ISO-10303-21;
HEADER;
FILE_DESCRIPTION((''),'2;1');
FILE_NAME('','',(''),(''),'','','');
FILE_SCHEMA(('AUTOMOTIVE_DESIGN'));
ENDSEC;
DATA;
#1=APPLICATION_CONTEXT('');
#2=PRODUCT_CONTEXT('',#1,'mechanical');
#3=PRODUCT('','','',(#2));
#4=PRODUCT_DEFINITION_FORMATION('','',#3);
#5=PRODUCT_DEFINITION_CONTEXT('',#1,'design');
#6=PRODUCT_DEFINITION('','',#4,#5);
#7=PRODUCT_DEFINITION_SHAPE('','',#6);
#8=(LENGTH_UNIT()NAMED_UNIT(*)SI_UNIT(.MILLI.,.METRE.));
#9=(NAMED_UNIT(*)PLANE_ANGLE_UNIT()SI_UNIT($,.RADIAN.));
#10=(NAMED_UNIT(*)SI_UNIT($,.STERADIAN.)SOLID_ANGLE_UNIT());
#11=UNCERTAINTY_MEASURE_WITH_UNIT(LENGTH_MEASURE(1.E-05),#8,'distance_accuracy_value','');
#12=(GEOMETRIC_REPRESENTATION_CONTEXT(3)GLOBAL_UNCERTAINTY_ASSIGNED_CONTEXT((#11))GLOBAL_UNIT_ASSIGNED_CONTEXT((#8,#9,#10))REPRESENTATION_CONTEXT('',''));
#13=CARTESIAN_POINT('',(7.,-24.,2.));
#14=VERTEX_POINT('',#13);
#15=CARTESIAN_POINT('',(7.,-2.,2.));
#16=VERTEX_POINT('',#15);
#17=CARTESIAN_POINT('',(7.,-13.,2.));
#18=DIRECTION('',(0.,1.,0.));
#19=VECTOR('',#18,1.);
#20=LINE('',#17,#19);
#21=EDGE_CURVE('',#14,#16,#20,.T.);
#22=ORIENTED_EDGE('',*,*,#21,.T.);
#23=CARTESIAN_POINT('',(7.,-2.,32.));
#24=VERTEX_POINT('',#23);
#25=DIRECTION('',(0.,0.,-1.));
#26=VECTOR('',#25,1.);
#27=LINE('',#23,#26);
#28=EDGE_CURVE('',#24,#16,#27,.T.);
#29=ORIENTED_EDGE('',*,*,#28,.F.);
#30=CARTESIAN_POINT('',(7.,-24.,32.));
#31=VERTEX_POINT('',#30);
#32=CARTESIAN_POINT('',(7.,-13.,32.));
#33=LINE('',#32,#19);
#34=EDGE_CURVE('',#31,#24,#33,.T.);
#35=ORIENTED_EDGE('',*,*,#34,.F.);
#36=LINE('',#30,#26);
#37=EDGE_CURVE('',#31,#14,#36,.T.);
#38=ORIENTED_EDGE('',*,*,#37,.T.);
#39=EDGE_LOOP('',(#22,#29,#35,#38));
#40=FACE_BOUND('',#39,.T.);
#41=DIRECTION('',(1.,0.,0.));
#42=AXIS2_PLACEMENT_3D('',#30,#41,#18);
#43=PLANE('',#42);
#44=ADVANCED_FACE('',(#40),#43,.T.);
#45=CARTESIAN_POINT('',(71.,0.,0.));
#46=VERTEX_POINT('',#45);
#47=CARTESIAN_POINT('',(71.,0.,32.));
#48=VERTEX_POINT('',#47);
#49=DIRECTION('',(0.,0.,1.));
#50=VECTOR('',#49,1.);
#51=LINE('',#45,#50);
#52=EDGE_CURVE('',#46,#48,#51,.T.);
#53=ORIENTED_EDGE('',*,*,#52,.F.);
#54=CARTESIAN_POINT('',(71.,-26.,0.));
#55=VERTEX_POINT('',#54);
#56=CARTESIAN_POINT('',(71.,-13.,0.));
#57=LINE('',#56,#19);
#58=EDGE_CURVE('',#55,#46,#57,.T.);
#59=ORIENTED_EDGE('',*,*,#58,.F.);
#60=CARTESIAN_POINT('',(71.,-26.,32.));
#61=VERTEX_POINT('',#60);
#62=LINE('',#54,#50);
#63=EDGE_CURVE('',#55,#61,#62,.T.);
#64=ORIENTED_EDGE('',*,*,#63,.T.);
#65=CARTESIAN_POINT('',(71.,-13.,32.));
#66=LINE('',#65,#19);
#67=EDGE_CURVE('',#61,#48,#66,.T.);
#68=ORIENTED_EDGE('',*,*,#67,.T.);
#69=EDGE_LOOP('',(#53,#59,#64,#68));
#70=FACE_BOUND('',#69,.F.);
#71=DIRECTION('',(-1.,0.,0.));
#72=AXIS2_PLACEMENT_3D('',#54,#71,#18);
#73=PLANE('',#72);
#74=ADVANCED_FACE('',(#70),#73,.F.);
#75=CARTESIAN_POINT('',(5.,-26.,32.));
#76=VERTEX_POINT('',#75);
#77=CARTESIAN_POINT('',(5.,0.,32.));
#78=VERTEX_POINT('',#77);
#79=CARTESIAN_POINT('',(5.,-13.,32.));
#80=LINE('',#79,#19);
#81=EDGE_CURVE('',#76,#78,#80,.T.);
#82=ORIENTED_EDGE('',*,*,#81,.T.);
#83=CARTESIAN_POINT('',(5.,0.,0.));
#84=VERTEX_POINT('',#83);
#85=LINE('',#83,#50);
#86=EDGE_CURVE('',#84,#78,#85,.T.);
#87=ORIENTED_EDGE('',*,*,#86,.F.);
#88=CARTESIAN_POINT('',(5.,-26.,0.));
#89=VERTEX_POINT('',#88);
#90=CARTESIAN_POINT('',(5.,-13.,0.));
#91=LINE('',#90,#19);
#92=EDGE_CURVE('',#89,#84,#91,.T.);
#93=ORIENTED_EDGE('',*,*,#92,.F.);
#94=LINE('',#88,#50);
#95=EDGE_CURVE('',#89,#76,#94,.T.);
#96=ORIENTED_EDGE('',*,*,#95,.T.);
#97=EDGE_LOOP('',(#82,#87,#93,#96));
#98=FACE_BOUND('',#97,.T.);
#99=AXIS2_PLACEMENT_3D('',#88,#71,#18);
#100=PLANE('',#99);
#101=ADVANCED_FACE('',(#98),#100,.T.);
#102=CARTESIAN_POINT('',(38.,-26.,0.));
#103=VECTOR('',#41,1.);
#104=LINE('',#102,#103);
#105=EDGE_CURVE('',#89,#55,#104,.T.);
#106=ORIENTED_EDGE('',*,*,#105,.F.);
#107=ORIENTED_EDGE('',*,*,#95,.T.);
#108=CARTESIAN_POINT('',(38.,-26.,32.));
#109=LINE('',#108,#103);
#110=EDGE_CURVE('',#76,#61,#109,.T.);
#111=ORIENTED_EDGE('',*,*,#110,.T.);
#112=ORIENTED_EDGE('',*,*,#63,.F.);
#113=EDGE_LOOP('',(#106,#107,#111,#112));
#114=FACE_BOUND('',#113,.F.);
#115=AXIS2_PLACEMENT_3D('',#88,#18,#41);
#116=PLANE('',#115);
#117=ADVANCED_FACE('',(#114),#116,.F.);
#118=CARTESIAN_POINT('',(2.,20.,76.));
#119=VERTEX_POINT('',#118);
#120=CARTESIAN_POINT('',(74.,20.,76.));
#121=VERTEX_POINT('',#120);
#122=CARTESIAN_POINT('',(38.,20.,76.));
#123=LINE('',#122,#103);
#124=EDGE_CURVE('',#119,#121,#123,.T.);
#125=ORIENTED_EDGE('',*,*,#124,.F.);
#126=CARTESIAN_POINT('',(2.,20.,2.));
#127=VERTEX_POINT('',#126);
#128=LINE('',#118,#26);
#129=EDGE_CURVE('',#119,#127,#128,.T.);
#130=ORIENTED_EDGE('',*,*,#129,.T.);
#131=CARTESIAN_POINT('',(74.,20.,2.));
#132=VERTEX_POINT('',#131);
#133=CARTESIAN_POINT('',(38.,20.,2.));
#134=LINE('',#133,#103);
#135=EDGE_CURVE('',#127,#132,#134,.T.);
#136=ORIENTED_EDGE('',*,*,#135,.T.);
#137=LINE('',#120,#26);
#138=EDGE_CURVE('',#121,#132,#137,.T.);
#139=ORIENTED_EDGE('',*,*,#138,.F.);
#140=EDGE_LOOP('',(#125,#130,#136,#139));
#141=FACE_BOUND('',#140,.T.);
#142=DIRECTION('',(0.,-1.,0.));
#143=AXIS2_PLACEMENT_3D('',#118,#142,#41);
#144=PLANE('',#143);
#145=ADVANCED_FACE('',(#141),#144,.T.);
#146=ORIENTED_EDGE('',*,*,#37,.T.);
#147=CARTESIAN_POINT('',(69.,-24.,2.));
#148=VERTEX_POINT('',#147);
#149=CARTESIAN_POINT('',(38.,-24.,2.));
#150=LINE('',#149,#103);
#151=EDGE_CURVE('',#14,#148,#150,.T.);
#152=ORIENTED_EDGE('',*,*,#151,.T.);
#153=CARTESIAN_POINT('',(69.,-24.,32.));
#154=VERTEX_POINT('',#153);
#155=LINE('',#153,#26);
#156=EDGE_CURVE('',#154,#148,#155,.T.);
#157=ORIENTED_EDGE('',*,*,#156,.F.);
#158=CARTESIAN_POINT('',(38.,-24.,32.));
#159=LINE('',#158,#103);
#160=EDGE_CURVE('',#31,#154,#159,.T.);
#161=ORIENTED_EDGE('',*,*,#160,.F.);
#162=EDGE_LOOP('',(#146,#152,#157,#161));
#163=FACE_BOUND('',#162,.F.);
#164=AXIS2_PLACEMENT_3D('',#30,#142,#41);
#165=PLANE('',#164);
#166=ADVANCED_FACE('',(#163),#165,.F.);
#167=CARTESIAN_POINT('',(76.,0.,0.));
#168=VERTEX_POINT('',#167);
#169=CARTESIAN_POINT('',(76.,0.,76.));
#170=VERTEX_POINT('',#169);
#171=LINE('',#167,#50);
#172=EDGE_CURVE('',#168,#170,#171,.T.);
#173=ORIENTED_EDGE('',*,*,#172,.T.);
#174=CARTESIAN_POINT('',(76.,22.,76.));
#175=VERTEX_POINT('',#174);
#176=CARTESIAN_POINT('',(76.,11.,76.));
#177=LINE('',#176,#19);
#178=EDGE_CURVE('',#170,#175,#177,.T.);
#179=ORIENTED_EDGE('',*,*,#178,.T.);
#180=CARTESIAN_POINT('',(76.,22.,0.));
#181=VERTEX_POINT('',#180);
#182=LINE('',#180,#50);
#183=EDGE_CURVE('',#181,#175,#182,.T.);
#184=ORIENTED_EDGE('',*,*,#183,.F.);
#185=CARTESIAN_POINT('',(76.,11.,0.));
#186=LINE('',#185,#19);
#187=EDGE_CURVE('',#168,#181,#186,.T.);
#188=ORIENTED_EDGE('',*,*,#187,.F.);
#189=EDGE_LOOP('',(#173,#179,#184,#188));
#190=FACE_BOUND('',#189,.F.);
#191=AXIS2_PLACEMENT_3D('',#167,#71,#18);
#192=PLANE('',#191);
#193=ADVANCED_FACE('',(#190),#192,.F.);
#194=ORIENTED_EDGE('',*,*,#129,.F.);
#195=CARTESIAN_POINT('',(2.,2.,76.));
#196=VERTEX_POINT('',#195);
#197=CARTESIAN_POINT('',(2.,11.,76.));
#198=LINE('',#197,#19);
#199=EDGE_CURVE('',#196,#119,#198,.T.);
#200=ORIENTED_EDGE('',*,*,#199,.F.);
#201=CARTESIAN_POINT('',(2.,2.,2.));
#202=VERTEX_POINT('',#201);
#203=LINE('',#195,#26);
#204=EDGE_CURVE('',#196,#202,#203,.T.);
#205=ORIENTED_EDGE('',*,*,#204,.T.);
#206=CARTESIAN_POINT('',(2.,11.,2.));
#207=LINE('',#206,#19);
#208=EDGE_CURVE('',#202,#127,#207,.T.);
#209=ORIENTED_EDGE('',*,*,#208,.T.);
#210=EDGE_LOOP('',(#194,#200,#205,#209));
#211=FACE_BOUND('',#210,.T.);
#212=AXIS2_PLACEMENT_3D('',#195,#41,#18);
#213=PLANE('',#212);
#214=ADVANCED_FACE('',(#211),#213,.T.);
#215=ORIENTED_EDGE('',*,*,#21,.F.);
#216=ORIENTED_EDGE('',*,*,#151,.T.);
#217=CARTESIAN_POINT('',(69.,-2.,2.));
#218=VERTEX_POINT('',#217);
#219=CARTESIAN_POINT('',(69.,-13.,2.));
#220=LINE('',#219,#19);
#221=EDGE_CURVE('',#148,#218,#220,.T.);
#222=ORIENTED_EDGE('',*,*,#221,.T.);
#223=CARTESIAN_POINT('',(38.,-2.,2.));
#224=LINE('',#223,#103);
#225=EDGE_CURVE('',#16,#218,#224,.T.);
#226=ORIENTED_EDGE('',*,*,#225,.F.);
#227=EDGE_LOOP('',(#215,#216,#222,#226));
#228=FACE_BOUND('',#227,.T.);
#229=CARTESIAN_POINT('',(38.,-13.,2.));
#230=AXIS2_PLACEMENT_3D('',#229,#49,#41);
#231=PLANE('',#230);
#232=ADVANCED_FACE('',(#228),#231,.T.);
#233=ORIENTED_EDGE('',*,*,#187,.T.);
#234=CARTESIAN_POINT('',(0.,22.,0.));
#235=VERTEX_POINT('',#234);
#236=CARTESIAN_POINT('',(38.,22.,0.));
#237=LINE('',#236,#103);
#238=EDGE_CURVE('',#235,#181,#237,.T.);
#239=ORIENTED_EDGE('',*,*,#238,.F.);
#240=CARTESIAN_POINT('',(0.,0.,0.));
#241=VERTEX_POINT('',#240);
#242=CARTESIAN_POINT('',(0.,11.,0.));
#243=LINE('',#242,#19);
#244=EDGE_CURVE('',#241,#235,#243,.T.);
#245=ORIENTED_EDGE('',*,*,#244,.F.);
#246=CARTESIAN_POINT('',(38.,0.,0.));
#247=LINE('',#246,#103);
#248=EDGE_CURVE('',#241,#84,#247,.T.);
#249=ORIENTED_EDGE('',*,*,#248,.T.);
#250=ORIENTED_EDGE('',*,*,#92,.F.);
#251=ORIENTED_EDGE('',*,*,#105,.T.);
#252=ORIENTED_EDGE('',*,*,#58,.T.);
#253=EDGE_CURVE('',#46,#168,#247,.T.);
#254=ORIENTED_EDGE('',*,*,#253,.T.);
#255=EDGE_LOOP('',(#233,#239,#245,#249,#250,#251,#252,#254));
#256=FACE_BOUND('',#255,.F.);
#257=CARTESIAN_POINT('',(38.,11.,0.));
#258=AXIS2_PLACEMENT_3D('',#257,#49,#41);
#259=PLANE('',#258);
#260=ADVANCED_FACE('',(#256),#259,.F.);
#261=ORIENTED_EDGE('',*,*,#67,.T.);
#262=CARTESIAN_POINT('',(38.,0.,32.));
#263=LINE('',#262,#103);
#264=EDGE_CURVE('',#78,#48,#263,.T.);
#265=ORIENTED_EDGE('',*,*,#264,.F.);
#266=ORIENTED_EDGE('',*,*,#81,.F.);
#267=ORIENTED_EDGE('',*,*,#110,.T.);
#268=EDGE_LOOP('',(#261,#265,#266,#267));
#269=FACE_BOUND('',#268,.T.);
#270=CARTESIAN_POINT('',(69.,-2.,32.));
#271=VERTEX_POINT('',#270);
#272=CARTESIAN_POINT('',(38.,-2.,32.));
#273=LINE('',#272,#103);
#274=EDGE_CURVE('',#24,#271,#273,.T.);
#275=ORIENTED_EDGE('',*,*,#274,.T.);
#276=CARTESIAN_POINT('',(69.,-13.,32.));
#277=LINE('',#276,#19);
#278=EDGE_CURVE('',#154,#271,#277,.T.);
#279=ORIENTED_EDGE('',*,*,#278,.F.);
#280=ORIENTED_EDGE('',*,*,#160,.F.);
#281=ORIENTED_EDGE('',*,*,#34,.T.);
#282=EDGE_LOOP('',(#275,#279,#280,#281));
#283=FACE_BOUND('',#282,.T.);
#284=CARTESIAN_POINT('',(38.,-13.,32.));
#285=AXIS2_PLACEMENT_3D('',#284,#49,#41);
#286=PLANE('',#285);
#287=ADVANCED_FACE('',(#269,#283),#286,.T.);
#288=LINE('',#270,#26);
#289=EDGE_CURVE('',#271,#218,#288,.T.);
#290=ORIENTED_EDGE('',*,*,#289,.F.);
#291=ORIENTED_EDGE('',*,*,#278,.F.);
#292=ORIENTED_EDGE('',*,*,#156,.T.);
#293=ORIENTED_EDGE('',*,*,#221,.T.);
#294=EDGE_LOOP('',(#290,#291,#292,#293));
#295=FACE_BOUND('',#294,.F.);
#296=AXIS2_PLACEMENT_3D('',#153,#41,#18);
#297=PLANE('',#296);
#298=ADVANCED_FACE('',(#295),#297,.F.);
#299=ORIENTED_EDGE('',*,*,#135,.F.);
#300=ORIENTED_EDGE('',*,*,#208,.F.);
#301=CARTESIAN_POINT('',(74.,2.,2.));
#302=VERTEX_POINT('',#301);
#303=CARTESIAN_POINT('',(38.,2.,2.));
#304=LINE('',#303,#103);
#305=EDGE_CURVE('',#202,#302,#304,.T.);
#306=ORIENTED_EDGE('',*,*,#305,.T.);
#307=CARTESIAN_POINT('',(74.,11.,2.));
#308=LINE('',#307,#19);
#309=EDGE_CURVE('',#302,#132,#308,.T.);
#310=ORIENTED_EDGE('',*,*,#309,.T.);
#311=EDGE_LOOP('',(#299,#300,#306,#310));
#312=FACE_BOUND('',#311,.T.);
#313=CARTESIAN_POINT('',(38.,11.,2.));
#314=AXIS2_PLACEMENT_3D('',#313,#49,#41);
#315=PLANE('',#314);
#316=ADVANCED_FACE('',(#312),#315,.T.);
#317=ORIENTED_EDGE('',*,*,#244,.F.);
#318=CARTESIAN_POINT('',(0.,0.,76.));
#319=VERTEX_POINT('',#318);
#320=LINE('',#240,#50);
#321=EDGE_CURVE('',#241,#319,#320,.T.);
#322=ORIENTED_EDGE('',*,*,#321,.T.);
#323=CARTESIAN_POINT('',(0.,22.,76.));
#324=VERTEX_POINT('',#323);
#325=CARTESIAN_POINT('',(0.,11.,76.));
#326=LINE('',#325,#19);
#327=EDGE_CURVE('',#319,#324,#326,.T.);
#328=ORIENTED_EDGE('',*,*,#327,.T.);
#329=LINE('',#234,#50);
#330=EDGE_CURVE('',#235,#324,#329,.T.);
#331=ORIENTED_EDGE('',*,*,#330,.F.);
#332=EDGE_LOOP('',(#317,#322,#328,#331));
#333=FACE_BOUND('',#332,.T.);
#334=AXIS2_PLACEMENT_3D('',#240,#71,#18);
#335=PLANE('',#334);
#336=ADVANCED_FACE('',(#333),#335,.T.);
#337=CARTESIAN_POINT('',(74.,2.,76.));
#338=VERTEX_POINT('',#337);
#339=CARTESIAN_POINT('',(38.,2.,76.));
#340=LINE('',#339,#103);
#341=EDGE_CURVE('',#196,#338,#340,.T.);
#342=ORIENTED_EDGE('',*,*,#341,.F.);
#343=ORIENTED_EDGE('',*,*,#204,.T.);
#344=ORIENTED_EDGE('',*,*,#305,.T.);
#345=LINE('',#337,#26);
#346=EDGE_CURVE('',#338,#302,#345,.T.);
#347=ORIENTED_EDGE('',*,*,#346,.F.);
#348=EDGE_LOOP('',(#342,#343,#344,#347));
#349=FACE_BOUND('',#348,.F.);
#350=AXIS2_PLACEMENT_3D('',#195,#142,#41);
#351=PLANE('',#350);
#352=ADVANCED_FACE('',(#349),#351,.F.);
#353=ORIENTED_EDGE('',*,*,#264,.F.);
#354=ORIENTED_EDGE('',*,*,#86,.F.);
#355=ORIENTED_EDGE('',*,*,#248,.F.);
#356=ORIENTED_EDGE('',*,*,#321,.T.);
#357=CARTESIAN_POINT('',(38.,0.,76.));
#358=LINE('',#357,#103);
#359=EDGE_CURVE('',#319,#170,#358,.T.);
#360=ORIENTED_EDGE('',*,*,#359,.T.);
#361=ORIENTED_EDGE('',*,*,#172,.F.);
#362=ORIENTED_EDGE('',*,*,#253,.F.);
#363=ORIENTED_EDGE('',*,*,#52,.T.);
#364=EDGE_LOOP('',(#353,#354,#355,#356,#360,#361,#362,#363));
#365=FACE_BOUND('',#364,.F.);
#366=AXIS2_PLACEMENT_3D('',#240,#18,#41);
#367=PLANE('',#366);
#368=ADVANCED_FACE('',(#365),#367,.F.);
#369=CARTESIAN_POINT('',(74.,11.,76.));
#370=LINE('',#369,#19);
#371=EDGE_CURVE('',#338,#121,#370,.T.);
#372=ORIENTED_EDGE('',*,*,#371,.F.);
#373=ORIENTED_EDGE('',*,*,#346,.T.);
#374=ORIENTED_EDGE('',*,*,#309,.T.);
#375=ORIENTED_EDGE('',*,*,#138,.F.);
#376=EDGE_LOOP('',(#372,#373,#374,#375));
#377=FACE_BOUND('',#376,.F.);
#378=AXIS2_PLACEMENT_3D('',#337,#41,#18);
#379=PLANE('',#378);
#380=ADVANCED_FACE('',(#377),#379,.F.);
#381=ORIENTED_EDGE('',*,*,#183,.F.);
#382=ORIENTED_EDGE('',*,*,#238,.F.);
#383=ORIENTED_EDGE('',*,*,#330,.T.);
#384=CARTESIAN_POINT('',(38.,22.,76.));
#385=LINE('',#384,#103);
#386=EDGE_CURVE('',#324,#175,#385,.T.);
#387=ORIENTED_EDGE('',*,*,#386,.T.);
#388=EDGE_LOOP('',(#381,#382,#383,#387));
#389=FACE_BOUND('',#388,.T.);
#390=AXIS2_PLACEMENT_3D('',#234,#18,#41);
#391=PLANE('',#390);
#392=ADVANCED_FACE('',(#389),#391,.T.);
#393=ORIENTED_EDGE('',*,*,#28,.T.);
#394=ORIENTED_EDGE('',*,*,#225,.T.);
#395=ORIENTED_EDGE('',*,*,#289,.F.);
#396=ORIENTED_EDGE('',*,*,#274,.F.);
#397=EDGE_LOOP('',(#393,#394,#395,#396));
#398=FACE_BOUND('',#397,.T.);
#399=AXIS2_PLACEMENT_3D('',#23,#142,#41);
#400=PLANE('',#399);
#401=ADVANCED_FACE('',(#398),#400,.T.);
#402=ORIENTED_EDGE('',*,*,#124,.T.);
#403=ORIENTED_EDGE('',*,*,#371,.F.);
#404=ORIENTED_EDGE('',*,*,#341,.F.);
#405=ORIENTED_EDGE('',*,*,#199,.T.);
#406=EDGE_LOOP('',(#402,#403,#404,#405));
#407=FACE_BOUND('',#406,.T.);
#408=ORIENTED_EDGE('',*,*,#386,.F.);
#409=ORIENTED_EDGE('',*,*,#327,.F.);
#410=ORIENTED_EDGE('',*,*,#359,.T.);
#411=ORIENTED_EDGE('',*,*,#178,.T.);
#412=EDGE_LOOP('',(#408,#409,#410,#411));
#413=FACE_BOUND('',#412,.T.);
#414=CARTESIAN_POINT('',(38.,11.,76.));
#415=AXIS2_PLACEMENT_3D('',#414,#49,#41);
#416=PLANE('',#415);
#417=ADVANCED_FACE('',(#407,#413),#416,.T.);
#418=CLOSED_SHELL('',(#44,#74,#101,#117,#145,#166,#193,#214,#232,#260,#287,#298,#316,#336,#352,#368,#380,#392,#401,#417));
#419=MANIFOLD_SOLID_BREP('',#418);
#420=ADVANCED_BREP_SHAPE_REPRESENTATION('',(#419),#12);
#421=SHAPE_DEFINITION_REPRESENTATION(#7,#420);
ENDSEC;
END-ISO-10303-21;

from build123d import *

# Parameters (mm, degrees)
SKETCH_W        = 76
SKETCH_H        = 22
PAD_DEPTH       = 76
SKETCH001_W     = 66
SKETCH001_H     = 26
PAD001_DEPTH    = 32
SKETCH002_W     = 62
SKETCH002_H     = 22
POCKET_DEPTH    = 30
SKETCH003_W     = 72
SKETCH003_H     = 18
POCKET001_DEPTH = 74


with BuildPart() as part:
    # Sketch → Pad (new body)
    with BuildSketch(Plane.XY):
        with Locations((38, 11)):
            Rectangle(SKETCH_W, SKETCH_H)
    extrude(amount=PAD_DEPTH)

    # Sketch001 → Pad001 (join)
    with BuildSketch(Plane.XY):
        with Locations((38, -13)):
            Rectangle(SKETCH001_W, SKETCH001_H)
    extrude(amount=PAD001_DEPTH)

    # Sketch002 (on Face4 of Pad001) → Pocket (cut)
    with BuildSketch(Plane.XY.offset(32)):
        with Locations((38, -13)):
            Rectangle(SKETCH002_W, SKETCH002_H)
    extrude(amount=-POCKET_DEPTH, mode=Mode.SUBTRACT)

    # Sketch003 (on Face7 of Pocket) → Pocket001 (cut)
    with BuildSketch(Plane.XY.offset(76)):
        with Locations((38, 11)):
            Rectangle(SKETCH003_W, SKETCH003_H)
    extrude(amount=-POCKET001_DEPTH, mode=Mode.SUBTRACT)


solid = part.part
